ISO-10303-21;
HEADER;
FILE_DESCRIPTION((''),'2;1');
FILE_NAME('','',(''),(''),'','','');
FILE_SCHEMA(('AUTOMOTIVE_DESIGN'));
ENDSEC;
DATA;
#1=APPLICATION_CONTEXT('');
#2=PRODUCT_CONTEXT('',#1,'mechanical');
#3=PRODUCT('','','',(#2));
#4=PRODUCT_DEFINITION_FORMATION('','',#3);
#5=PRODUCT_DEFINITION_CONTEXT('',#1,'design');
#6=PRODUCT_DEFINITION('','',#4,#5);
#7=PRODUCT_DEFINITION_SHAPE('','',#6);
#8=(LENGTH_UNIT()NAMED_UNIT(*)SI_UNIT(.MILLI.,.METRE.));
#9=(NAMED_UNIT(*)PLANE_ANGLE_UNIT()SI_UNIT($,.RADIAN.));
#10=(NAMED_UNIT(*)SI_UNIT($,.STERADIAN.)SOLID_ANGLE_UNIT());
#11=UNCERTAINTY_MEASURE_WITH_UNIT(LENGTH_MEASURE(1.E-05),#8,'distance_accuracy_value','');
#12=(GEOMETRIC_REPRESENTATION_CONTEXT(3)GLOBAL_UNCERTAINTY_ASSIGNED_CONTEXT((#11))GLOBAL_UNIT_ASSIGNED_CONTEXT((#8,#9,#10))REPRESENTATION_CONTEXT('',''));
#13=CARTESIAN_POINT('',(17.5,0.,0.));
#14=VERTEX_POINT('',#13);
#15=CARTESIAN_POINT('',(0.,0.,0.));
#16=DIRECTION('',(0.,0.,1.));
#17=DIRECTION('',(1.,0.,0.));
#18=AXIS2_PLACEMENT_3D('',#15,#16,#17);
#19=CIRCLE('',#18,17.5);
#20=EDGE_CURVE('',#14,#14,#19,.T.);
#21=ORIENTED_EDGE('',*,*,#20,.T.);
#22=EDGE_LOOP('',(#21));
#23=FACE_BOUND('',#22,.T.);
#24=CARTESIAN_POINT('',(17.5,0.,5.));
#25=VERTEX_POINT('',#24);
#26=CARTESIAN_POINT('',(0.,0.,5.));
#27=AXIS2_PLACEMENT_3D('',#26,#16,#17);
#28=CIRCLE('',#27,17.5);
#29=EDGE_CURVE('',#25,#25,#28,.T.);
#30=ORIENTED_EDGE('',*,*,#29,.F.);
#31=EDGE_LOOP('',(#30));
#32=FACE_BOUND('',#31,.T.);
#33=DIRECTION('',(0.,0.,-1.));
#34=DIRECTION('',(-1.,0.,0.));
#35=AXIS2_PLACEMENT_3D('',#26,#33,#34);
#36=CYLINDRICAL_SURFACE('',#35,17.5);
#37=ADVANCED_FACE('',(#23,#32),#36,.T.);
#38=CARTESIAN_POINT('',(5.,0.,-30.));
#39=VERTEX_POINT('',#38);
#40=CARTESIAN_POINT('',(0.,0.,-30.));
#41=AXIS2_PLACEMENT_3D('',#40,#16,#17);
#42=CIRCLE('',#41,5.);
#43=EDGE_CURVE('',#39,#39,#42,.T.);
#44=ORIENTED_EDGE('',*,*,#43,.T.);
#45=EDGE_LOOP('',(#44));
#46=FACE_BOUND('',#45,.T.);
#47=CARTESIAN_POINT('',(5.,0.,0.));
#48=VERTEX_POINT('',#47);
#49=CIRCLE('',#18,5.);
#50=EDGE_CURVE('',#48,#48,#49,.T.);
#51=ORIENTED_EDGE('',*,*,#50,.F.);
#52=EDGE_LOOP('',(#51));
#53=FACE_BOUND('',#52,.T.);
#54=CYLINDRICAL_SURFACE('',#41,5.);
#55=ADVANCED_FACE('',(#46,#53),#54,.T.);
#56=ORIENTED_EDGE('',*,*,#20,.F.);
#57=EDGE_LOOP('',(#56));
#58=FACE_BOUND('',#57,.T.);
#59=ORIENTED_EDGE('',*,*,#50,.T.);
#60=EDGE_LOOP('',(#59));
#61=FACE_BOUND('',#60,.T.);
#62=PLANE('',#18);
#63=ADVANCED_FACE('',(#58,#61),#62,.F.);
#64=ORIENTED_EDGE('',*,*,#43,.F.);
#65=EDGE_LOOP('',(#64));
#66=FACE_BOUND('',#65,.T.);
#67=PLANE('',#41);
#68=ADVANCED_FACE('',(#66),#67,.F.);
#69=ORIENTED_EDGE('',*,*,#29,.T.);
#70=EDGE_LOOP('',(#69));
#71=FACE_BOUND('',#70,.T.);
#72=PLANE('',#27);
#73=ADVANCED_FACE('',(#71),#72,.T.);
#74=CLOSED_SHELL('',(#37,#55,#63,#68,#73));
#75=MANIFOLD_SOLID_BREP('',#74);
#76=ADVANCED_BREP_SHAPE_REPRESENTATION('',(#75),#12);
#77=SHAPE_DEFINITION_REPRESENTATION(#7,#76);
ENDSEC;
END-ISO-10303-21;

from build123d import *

# Parameters (mm, degrees)
SKETCH1_R           = 17.5
BOSS_EXTRUDE1_DEPTH = 5
SKETCH1_3_R         = 5
BOSS_EXTRUDE2_DEPTH = 30


with BuildPart() as part:
    # Sketch1 → Boss-Extrude1 (new body)
    with BuildSketch(Plane.XY):
        Circle(SKETCH1_R)
    extrude(amount=BOSS_EXTRUDE1_DEPTH)

    # Sketch1<3> → Boss-Extrude2 (add)
    with BuildSketch(Plane.XY):
        Circle(SKETCH1_3_R)
    extrude(amount=-BOSS_EXTRUDE2_DEPTH)


solid = part.part
